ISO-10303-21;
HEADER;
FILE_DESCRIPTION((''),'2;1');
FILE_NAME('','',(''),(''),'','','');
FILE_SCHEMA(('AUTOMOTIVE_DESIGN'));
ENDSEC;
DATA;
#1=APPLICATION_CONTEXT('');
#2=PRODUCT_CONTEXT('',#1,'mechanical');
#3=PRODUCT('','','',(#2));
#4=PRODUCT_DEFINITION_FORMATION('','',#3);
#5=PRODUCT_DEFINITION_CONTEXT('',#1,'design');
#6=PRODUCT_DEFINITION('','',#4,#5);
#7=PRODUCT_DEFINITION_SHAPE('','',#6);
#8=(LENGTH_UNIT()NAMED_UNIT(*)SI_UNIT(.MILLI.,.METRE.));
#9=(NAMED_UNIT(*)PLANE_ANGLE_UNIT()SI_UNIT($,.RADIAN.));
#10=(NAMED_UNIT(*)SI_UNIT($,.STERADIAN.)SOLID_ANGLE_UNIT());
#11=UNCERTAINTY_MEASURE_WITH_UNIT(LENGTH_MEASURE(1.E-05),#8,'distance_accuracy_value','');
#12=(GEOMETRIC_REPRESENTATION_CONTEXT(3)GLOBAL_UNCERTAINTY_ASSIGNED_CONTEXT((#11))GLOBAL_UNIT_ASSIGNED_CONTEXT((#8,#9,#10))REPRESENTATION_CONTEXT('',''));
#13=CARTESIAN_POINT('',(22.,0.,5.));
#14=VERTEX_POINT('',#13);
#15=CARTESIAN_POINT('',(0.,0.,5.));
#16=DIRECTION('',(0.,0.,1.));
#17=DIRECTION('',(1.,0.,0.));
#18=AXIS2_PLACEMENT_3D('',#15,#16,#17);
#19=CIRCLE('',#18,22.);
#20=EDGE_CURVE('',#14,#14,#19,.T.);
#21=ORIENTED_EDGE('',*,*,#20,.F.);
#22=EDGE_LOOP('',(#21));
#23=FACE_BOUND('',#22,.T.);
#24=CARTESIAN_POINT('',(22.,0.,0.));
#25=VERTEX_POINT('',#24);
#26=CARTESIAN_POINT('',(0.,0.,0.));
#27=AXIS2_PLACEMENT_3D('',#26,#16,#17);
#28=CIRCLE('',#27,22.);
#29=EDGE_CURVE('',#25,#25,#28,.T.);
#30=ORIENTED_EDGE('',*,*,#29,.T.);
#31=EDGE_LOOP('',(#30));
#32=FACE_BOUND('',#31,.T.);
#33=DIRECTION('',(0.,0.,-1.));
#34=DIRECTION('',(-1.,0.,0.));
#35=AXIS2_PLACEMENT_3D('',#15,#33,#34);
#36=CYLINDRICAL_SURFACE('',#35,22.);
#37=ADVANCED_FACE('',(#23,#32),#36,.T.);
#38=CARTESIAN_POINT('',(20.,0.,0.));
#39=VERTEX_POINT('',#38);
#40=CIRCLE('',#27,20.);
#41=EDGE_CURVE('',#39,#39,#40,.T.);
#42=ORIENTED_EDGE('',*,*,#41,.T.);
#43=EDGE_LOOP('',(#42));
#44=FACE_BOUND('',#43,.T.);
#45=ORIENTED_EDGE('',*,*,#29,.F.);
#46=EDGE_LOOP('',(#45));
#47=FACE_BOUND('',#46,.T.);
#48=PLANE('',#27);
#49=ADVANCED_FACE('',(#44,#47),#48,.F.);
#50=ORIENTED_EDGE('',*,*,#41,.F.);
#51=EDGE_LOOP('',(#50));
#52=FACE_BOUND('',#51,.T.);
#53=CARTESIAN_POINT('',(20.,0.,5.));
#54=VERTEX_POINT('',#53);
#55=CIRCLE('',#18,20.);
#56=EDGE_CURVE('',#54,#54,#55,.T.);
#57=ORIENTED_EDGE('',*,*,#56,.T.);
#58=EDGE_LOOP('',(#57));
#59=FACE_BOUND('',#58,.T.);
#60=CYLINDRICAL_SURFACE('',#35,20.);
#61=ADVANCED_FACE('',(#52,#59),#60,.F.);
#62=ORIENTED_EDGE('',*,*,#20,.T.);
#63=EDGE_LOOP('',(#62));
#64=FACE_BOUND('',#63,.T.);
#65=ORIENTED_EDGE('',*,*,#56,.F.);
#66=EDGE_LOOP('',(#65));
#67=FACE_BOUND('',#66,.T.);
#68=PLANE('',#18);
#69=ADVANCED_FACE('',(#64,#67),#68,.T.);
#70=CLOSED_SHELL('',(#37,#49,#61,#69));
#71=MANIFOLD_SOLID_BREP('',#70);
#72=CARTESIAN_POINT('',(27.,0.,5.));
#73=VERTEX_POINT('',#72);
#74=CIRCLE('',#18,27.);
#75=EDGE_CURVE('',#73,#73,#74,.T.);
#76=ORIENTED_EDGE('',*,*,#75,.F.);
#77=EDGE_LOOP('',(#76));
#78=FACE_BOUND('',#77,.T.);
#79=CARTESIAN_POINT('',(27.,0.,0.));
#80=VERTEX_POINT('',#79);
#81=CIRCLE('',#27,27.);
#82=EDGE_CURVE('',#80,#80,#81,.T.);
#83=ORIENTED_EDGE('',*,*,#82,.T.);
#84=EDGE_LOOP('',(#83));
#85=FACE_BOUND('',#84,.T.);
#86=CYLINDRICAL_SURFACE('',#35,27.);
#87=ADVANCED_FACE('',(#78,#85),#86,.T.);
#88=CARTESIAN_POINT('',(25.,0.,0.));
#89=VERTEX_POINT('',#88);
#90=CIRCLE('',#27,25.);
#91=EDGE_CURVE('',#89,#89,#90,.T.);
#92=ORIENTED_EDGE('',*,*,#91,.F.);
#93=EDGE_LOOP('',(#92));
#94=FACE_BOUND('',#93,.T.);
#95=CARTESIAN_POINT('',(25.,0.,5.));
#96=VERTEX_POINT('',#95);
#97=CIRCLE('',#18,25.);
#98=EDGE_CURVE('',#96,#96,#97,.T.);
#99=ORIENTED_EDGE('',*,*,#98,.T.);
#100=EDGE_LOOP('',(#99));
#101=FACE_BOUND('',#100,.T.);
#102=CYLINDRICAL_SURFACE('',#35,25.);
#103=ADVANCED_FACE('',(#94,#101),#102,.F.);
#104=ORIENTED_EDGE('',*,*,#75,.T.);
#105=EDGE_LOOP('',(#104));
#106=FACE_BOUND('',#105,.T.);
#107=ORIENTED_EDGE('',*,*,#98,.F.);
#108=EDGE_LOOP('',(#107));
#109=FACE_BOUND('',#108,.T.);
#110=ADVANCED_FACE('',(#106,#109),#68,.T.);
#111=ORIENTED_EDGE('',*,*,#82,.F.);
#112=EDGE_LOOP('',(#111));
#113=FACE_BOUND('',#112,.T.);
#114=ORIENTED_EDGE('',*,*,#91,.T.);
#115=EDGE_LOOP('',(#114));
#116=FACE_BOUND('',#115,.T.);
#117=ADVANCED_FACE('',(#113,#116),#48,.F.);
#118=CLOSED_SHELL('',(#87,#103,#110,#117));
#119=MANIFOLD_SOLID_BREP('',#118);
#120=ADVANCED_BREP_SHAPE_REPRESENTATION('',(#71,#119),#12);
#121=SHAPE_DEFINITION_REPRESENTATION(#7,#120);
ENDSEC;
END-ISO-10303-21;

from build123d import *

# Parameters (mm, degrees)
SKETCH1_R             = 22
SKETCH1_R_2           = 20
BOSS_EXTRUDE3_DEPTH   = 5
SKETCH1_R_3           = 27
SKETCH1_R_4           = 25
BOSS_EXTRUDE3_2_DEPTH = 5


with BuildPart() as part:
    # Sketch1 → Boss-Extrude3 (new body)
    with BuildSketch(Plane.XY):
        Circle(SKETCH1_R)
        Circle(SKETCH1_R_2, mode=Mode.SUBTRACT)
    extrude(amount=BOSS_EXTRUDE3_DEPTH)


with BuildPart() as body_2:
    # Sketch1 → Boss-Extrude3 2 (new body)
    with BuildSketch(Plane.XY):
        Circle(SKETCH1_R_3)
        Circle(SKETCH1_R_4, mode=Mode.SUBTRACT)
    extrude(amount=BOSS_EXTRUDE3_2_DEPTH)


solid = Compound([part.part, body_2.part])
